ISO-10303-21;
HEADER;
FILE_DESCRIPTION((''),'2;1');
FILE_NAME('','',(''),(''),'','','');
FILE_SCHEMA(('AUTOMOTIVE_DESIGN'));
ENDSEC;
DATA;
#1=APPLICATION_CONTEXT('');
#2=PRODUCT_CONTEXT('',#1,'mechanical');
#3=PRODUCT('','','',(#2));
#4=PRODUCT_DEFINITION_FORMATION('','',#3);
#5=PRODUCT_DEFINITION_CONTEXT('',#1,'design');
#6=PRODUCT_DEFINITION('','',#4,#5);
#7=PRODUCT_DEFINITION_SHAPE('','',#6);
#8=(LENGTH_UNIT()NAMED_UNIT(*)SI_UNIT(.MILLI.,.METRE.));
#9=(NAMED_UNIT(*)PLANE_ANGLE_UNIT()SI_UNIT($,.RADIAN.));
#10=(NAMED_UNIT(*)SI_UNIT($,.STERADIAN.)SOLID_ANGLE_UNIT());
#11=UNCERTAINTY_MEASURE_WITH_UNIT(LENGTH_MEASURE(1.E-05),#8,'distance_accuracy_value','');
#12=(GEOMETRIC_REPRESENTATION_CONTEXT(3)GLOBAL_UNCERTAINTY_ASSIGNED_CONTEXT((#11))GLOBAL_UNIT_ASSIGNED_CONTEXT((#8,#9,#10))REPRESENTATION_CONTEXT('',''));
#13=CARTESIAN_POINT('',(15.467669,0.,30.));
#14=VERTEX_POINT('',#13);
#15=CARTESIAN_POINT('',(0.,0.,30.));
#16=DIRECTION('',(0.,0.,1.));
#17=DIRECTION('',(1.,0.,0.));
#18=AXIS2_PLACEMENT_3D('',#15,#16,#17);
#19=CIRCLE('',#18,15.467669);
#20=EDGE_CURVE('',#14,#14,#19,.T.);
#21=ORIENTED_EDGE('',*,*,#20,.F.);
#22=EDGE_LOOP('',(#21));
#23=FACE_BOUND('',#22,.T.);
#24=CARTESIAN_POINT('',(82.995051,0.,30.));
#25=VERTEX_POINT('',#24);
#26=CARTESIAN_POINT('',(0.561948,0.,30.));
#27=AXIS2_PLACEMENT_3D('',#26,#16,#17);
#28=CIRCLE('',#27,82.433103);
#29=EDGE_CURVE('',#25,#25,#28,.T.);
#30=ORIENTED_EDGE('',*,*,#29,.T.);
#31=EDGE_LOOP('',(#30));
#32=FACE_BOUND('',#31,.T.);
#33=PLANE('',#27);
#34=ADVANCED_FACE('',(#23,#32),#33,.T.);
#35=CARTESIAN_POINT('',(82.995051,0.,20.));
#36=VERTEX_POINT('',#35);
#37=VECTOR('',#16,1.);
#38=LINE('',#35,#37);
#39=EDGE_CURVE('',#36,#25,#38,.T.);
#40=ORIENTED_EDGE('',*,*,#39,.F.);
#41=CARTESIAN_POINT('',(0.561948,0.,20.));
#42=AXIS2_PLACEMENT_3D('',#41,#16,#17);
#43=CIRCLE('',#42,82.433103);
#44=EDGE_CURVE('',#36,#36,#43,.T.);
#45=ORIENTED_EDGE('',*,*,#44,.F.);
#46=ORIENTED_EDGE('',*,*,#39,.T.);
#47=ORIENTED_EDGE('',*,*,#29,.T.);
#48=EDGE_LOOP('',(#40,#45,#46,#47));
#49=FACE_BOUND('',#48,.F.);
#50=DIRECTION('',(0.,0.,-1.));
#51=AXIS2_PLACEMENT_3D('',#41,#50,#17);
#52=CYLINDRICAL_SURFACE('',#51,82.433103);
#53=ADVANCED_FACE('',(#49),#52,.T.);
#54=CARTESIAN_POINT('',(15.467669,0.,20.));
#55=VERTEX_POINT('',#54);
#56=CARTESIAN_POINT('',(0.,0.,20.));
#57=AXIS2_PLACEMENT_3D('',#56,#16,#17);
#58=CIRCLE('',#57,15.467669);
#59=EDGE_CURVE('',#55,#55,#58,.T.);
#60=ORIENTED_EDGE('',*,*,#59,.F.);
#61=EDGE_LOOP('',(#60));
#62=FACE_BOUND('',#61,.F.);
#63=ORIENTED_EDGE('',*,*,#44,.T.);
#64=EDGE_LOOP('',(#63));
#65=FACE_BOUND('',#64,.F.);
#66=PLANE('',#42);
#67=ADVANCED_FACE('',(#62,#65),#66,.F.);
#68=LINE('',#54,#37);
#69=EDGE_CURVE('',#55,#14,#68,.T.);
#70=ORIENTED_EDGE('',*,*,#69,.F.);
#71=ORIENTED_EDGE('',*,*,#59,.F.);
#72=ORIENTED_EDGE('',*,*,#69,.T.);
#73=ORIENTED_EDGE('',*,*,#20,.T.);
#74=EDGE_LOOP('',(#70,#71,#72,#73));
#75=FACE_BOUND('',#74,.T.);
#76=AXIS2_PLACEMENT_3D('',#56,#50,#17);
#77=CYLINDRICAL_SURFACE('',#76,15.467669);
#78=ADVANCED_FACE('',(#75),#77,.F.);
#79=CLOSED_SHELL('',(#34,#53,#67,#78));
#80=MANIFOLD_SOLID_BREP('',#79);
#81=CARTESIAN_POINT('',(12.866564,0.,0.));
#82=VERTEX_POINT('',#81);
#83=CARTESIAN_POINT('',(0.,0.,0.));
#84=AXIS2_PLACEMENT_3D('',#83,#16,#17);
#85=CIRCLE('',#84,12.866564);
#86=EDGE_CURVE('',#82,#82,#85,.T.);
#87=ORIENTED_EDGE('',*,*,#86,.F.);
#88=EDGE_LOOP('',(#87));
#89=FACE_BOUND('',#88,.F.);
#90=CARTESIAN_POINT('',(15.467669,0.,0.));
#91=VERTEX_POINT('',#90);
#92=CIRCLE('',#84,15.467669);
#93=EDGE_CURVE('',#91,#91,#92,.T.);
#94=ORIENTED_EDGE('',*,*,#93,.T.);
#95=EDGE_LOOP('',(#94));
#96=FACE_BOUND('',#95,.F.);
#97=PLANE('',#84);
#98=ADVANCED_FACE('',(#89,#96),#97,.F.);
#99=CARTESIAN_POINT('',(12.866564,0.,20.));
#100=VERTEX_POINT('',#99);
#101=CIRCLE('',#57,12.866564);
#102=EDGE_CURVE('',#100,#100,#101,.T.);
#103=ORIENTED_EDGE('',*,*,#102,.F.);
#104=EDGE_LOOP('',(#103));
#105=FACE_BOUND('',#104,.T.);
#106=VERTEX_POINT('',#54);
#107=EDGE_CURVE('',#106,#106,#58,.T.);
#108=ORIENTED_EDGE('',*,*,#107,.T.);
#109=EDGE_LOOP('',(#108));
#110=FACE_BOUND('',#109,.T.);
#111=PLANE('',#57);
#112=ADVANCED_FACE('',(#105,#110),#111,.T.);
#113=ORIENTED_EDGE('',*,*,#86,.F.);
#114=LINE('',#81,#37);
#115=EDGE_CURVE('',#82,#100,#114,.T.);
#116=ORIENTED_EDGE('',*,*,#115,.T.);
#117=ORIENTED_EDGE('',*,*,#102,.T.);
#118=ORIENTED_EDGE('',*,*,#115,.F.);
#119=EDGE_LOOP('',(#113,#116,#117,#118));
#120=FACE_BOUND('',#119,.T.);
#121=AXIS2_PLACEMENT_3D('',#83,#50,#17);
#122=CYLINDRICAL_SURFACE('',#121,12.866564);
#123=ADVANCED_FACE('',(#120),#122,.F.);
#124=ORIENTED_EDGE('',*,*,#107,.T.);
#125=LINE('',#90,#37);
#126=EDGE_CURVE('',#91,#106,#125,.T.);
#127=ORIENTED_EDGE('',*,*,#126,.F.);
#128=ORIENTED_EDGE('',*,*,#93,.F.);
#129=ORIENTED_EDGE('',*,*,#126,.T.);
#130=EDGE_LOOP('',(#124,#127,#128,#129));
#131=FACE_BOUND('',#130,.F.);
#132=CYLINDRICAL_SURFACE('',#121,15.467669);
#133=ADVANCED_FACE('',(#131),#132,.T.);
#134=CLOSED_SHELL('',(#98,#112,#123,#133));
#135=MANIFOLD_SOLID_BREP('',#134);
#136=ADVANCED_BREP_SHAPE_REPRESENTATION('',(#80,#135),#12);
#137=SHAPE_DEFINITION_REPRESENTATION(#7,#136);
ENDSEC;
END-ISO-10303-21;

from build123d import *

# Parameters (mm, degrees)
F0_R     = 15.467669
F0_R_2   = 12.866564
F1_DEPTH = 20
F2_R     = 82.433103
F2_R_2   = 15.467669
F3_DEPTH = 10


with BuildPart() as f1:
    # F0 (on Top) → F1 (new body)
    with BuildSketch(Plane.XY):
        Circle(F0_R)
        Circle(F0_R_2, mode=Mode.SUBTRACT)
    extrude(amount=F1_DEPTH)


with BuildPart() as f3:
    # F2 (on face) → F3 (new body)
    with BuildSketch(Plane.XY.offset(20)):
        with Locations((0.561948, 0)):
            Circle(F2_R)
        Circle(F2_R_2, mode=Mode.SUBTRACT)
    extrude(amount=F3_DEPTH)


solid = Compound([f1.part, f3.part])
